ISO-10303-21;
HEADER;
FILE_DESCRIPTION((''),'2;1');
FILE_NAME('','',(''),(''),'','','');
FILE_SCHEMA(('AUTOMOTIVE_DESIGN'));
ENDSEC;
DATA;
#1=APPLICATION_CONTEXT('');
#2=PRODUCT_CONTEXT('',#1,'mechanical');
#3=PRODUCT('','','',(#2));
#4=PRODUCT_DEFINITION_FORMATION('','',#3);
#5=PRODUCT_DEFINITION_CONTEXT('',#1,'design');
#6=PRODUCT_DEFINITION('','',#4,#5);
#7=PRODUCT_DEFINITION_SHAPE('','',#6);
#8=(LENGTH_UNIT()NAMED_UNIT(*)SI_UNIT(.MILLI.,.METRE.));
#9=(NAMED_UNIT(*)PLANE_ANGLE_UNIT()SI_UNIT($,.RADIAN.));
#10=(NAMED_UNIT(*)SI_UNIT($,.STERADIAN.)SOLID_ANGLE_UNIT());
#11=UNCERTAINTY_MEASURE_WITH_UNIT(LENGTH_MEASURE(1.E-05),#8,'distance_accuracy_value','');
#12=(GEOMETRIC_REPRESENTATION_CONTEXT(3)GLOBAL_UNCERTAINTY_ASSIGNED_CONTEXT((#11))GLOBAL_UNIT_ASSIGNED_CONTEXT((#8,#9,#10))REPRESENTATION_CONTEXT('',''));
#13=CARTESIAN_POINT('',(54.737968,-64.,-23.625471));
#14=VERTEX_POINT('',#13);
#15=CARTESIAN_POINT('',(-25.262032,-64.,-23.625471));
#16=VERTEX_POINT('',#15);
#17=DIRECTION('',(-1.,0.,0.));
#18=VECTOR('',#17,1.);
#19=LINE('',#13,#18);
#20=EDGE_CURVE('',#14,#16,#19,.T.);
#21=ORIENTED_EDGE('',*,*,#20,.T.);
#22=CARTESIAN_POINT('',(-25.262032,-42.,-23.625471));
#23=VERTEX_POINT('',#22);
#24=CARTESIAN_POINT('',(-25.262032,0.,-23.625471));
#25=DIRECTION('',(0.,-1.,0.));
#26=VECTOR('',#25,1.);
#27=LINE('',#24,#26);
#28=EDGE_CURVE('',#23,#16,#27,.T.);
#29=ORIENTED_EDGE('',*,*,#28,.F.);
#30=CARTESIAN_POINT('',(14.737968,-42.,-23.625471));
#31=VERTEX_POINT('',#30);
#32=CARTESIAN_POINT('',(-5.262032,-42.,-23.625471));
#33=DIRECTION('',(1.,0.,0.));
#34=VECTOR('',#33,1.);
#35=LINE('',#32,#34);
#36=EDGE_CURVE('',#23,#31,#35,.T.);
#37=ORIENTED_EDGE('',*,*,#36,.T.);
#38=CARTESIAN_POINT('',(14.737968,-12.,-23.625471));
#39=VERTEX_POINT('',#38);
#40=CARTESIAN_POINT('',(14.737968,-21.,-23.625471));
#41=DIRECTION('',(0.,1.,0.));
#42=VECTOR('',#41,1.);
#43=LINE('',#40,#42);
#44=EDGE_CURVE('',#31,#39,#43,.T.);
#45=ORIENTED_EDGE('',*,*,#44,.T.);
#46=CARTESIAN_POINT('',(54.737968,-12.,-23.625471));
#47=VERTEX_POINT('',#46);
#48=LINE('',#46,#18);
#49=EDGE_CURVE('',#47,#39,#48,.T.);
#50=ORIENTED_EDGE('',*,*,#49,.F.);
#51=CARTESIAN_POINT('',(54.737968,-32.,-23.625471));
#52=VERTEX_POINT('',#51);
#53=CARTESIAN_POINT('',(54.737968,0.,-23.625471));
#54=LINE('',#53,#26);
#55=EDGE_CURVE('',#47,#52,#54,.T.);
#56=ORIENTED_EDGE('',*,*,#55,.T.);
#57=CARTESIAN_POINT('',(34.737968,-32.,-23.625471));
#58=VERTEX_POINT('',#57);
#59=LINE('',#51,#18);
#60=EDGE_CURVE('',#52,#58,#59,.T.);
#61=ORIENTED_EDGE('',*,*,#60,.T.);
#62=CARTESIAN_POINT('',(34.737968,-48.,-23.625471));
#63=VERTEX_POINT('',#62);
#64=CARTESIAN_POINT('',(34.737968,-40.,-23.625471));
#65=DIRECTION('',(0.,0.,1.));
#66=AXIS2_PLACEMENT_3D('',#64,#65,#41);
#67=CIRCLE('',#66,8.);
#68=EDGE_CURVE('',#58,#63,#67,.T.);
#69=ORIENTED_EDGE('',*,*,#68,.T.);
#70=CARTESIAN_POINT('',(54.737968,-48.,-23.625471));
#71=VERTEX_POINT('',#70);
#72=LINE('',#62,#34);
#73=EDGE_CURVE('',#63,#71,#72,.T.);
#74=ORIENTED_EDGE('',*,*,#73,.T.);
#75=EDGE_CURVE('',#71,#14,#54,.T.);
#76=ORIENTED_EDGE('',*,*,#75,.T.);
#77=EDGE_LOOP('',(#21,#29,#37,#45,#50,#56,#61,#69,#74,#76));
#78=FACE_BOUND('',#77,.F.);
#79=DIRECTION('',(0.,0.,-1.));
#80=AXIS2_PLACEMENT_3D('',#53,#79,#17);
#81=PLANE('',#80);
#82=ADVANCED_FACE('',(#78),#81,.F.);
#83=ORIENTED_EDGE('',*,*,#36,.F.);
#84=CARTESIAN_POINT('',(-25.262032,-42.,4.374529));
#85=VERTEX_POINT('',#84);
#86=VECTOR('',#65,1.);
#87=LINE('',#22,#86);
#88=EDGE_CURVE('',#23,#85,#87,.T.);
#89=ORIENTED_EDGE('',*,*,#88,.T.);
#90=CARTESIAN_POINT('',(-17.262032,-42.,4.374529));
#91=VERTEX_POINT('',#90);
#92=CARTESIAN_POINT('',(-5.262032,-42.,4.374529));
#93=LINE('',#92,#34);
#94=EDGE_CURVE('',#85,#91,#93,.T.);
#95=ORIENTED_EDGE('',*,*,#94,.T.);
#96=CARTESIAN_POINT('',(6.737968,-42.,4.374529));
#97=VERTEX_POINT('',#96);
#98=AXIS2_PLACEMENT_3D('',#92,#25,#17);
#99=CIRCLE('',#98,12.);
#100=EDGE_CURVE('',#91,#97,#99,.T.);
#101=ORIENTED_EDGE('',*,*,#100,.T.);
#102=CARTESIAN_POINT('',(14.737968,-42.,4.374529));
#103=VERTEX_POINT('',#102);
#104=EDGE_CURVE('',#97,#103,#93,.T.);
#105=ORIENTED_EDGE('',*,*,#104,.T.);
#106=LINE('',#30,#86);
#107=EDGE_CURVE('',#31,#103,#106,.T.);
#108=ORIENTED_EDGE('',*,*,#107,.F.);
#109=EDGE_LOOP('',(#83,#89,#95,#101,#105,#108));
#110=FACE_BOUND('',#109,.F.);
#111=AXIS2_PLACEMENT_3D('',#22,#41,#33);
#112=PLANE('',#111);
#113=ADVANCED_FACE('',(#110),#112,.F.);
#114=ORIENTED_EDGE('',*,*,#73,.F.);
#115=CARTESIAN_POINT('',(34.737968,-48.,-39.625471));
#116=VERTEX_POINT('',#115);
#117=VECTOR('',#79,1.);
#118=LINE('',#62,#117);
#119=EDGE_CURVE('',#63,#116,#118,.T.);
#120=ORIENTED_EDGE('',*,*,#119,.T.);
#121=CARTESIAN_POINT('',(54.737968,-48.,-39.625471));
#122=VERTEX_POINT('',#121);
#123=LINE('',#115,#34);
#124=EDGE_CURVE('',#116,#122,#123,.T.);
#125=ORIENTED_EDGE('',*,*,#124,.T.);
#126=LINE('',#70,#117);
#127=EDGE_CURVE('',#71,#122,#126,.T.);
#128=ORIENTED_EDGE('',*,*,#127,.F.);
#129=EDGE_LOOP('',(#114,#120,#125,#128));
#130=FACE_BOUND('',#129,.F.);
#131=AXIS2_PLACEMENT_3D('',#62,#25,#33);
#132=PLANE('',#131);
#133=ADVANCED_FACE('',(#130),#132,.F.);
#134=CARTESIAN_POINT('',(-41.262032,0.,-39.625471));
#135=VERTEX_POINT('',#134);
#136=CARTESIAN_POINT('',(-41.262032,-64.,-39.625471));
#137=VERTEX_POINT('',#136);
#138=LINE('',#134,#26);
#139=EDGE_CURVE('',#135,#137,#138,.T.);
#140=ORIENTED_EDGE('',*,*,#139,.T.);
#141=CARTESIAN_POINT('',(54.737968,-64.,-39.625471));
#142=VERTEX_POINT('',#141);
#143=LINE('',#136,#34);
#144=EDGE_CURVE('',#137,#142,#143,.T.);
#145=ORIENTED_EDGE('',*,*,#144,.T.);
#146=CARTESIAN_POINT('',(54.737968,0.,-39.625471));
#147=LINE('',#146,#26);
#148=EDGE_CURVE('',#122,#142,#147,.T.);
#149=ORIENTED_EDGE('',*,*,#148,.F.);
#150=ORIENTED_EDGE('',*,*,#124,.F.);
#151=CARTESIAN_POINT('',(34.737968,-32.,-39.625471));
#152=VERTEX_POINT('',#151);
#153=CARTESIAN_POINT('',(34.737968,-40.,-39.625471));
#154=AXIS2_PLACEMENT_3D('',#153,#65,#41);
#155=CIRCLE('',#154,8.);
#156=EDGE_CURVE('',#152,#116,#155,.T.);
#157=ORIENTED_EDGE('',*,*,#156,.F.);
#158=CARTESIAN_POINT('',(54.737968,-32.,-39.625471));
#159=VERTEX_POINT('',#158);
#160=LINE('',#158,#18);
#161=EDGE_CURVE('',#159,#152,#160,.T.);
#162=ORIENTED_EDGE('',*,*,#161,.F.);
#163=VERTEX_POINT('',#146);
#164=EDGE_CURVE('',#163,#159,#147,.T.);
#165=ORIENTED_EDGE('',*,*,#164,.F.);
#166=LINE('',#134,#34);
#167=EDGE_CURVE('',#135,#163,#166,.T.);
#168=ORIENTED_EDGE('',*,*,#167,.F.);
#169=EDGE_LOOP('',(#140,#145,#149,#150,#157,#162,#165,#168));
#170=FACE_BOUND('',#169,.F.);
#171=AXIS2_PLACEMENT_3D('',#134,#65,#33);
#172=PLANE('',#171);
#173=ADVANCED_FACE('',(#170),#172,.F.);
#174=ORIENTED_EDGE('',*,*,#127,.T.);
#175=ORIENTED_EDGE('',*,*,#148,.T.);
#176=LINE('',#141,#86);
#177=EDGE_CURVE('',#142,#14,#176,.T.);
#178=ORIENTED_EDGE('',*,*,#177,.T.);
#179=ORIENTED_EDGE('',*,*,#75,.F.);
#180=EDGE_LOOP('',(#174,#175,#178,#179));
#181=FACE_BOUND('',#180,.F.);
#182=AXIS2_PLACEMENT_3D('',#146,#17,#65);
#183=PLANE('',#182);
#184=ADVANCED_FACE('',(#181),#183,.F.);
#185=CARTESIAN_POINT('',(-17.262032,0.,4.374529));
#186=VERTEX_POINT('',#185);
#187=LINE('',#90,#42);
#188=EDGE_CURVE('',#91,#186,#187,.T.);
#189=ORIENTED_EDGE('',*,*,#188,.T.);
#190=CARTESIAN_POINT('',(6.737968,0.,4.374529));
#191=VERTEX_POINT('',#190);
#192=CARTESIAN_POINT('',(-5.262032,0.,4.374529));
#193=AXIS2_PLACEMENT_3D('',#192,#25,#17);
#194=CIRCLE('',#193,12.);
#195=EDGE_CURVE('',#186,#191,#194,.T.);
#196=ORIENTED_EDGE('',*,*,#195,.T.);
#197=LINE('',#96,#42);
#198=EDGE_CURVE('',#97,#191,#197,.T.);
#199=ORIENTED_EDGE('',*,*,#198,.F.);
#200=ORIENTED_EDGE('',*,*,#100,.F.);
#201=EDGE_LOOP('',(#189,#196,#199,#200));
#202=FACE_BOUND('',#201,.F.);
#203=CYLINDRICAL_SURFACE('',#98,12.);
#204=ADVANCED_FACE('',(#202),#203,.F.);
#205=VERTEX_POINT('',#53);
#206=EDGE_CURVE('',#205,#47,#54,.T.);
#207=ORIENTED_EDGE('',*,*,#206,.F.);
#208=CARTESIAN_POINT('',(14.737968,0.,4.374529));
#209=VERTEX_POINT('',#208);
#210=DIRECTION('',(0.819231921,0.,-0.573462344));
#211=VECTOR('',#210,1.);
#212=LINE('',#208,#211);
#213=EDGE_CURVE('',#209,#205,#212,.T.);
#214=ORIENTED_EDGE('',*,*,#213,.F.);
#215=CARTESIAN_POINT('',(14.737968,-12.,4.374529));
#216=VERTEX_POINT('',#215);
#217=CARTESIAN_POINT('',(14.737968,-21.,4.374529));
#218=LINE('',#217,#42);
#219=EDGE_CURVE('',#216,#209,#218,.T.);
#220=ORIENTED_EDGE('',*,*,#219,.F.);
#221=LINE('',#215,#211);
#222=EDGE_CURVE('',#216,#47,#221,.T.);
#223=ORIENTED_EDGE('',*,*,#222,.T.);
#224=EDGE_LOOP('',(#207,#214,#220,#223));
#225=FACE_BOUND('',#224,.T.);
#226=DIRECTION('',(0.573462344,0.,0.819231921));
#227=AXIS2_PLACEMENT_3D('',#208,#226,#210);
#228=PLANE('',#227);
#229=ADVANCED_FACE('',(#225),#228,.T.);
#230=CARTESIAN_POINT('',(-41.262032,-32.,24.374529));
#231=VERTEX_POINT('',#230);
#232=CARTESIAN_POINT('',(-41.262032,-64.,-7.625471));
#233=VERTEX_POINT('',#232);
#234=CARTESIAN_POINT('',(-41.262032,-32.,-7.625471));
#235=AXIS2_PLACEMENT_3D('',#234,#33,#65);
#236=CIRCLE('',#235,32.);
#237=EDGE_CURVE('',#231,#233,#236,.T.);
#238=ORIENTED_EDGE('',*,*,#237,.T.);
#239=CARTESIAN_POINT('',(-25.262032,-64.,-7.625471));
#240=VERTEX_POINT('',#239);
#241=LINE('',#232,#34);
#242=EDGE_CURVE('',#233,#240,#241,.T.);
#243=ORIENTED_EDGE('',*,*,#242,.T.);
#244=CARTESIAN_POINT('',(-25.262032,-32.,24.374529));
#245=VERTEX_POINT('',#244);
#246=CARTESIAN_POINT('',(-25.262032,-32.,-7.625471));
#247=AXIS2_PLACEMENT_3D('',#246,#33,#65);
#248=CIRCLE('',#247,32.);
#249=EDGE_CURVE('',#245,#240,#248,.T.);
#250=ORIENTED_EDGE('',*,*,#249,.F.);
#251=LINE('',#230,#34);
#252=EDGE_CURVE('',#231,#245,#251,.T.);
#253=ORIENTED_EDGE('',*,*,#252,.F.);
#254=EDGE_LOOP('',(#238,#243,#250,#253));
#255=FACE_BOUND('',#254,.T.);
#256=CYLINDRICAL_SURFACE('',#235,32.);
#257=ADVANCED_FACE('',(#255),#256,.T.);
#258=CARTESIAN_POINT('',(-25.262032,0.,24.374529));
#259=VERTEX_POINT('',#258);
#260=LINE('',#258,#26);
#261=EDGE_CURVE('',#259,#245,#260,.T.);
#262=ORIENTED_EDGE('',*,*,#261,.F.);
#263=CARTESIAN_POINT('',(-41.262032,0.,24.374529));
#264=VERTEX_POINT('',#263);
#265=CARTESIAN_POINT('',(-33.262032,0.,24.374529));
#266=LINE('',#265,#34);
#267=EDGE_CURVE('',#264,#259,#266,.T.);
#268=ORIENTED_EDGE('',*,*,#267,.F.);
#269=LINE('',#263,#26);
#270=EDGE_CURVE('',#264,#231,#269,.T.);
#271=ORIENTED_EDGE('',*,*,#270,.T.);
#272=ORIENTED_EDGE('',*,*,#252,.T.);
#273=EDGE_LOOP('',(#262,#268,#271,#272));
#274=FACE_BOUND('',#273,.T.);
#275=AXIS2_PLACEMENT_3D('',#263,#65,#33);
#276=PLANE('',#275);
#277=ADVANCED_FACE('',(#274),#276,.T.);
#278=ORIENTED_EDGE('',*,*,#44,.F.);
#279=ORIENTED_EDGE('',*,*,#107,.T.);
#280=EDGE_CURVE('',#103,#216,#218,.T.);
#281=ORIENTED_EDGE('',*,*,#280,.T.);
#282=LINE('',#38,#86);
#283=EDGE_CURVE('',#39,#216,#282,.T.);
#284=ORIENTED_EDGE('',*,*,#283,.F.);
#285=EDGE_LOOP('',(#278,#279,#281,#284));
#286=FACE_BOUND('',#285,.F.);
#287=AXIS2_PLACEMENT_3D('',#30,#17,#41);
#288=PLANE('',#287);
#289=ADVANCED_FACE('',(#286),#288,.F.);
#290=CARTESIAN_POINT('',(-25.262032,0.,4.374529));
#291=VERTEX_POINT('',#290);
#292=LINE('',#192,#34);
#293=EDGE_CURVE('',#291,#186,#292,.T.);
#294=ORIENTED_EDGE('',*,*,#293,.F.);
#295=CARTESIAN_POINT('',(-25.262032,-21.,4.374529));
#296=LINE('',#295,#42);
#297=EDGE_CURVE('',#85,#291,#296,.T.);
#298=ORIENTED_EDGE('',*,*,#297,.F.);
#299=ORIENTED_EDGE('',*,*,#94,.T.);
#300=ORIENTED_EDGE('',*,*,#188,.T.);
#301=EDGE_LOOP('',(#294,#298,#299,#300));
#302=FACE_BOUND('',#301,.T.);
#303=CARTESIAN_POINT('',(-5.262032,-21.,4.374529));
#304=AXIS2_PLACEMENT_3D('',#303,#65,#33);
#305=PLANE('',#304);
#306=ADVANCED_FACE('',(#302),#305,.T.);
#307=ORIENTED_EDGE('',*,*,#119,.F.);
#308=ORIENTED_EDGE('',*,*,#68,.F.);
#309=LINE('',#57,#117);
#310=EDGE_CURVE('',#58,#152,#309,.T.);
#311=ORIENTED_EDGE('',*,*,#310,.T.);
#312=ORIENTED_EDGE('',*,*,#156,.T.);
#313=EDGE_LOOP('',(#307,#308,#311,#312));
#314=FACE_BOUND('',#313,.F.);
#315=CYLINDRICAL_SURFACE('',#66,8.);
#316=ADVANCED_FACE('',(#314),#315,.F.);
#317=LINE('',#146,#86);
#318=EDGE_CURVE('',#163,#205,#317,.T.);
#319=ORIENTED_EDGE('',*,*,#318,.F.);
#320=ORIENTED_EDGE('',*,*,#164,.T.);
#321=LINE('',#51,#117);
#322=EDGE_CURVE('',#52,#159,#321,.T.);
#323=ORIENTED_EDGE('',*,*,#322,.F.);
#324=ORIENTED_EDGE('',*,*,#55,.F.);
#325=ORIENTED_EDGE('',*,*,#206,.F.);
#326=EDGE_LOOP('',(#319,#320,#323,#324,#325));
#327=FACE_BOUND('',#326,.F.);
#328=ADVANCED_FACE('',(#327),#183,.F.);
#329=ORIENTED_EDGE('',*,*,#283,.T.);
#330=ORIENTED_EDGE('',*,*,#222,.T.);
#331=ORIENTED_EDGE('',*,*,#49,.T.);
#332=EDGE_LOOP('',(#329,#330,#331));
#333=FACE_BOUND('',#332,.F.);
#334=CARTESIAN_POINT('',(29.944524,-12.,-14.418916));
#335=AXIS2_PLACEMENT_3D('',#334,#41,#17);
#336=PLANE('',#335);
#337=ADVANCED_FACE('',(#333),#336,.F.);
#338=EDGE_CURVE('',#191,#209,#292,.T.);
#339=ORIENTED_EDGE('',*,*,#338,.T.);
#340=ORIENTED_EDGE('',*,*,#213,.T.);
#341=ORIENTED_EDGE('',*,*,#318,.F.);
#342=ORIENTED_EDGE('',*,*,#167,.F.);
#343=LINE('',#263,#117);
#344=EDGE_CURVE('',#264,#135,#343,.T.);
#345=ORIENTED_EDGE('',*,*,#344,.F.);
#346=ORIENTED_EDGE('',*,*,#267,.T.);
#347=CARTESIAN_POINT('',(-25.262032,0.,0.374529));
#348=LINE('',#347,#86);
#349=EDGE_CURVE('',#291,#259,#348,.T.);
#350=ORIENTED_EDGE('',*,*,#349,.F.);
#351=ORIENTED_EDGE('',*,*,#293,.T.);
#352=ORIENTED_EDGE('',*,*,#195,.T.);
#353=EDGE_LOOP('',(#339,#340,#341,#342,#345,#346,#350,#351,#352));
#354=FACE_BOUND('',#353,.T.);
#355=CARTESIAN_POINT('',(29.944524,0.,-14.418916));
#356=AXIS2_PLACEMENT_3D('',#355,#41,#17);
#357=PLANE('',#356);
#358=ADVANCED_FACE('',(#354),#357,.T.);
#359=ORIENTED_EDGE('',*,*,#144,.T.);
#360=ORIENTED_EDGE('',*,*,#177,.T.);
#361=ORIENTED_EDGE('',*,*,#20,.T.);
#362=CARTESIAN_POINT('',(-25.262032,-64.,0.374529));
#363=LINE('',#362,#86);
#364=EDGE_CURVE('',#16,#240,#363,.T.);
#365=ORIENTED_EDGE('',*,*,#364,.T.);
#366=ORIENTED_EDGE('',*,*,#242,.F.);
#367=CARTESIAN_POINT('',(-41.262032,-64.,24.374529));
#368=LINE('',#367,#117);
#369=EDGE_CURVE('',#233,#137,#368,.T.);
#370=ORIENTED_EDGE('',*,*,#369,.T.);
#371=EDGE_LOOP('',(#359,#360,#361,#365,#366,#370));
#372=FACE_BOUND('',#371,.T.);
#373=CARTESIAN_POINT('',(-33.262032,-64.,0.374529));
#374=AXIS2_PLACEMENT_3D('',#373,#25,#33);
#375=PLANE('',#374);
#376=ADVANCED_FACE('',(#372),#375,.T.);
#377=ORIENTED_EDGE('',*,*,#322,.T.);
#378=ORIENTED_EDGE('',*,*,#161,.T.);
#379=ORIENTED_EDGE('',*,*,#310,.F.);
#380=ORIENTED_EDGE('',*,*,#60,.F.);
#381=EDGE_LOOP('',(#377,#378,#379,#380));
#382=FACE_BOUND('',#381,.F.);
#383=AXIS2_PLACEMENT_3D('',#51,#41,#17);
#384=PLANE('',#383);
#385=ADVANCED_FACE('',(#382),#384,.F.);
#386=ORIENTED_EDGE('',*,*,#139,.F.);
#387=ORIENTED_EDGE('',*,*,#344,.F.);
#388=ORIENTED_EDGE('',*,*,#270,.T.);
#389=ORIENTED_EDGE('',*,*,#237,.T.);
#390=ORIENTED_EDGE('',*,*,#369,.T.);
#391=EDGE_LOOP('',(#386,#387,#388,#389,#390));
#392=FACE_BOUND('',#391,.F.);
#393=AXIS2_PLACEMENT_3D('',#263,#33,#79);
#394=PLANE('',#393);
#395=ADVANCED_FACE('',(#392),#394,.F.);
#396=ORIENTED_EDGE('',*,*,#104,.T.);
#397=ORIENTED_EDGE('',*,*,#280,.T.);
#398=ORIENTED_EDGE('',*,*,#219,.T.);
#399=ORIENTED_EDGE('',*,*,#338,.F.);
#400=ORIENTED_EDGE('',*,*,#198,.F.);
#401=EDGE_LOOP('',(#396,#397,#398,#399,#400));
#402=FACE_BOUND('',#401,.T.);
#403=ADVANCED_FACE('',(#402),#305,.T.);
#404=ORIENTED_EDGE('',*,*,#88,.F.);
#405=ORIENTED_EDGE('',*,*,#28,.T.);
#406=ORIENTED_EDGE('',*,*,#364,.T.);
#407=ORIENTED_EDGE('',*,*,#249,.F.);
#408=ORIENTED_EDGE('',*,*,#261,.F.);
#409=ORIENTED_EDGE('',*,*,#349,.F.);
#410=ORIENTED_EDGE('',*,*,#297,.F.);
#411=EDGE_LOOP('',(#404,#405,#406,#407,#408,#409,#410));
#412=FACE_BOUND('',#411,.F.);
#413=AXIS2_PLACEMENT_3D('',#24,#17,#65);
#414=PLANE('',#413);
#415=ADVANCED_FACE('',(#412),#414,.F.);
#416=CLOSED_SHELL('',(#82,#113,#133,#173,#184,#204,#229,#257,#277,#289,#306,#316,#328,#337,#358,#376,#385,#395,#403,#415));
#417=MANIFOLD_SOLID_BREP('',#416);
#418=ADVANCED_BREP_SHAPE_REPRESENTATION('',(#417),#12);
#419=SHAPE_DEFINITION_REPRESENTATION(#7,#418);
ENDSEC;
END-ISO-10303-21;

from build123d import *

# Parameters (mm, degrees)
F0_W          = 16
F0_H          = 48
F1_DEPTH      = 64
F2_R          = 32
F4_DEPTH      = 16
F3_W          = 40
F3_H          = 42
F5_DEPTH      = 28
F7_DEPTH      = 42
F7_DEPTH_BACK = 25
F9_DEPTH      = 12


with BuildPart() as f1:
    # F0 (on Front) → F1 (new body)
    with BuildSketch(Plane.XZ):
        with Locations((-33.2620320469, 0.3745286972)):
            Rectangle(F0_W, F0_H)
        Polygon((-25.2620320469, -23.6254713028), (-41.2620320469, -23.6254713028), (-41.2620320469, -39.6254713028), (54.7379679531, -39.6254713028), (54.7379679531, -23.6254713028), align=None)
    extrude(amount=F1_DEPTH)

    # F2
    f2_edges = [f1.edges().sort_by_distance(p)[0] for p in [
        (-33.262032, -64, 24.374529),
    ]]
    fillet(f2_edges, radius=F2_R)

    # F3 (on face) → F4 (cut, through all)
    with BuildSketch(Plane.XY.offset(-23.6254713028)):
        with BuildLine():
            Line((54.7379679531, -32), (34.7379679531, -32))
            ThreePointArc((34.7379679531, -32), (26.7379679531, -40), (34.7379679531, -48))
            Line((34.7379679531, -48), (54.7379679531, -48))
            Line((54.7379679531, -48), (54.7379679531, -32))
        make_face()
    extrude(amount=-F4_DEPTH, mode=Mode.SUBTRACT)

    # F3 (on face) → F5 (join)
    with BuildSketch(Plane.XY.offset(-23.6254713028)):
        with Locations((-5.2620320469, -21)):
            Rectangle(F3_W, F3_H)
    extrude(amount=F5_DEPTH)

    # F6 (on face) → F7 (cut, two sides)
    with BuildSketch(Plane.XZ.offset(42)) as f7_sk:
        with BuildLine():
            ThreePointArc((-17.2620320469, 4.3745286972), (-5.2620320469, -7.6254713028), (6.7379679531, 4.3745286972))
            Line((6.7379679531, 4.3745286972), (-17.2620320469, 4.3745286972))
        make_face()
    extrude(amount=-F7_DEPTH, mode=Mode.SUBTRACT)
    extrude(f7_sk.sketch, amount=F7_DEPTH_BACK, mode=Mode.SUBTRACT)

    # F8 (on face) → F9 (join)
    with BuildSketch(Plane(origin=(0, 0, 0), x_dir=(-1, 0, 0), z_dir=(0, 1, 0))):
        Polygon((-14.7379679531, -23.6254713028), (-14.7379679531, 4.3745286972), (-54.7379679531, -23.6254713028), align=None)
    extrude(amount=-F9_DEPTH)


solid = f1.part
